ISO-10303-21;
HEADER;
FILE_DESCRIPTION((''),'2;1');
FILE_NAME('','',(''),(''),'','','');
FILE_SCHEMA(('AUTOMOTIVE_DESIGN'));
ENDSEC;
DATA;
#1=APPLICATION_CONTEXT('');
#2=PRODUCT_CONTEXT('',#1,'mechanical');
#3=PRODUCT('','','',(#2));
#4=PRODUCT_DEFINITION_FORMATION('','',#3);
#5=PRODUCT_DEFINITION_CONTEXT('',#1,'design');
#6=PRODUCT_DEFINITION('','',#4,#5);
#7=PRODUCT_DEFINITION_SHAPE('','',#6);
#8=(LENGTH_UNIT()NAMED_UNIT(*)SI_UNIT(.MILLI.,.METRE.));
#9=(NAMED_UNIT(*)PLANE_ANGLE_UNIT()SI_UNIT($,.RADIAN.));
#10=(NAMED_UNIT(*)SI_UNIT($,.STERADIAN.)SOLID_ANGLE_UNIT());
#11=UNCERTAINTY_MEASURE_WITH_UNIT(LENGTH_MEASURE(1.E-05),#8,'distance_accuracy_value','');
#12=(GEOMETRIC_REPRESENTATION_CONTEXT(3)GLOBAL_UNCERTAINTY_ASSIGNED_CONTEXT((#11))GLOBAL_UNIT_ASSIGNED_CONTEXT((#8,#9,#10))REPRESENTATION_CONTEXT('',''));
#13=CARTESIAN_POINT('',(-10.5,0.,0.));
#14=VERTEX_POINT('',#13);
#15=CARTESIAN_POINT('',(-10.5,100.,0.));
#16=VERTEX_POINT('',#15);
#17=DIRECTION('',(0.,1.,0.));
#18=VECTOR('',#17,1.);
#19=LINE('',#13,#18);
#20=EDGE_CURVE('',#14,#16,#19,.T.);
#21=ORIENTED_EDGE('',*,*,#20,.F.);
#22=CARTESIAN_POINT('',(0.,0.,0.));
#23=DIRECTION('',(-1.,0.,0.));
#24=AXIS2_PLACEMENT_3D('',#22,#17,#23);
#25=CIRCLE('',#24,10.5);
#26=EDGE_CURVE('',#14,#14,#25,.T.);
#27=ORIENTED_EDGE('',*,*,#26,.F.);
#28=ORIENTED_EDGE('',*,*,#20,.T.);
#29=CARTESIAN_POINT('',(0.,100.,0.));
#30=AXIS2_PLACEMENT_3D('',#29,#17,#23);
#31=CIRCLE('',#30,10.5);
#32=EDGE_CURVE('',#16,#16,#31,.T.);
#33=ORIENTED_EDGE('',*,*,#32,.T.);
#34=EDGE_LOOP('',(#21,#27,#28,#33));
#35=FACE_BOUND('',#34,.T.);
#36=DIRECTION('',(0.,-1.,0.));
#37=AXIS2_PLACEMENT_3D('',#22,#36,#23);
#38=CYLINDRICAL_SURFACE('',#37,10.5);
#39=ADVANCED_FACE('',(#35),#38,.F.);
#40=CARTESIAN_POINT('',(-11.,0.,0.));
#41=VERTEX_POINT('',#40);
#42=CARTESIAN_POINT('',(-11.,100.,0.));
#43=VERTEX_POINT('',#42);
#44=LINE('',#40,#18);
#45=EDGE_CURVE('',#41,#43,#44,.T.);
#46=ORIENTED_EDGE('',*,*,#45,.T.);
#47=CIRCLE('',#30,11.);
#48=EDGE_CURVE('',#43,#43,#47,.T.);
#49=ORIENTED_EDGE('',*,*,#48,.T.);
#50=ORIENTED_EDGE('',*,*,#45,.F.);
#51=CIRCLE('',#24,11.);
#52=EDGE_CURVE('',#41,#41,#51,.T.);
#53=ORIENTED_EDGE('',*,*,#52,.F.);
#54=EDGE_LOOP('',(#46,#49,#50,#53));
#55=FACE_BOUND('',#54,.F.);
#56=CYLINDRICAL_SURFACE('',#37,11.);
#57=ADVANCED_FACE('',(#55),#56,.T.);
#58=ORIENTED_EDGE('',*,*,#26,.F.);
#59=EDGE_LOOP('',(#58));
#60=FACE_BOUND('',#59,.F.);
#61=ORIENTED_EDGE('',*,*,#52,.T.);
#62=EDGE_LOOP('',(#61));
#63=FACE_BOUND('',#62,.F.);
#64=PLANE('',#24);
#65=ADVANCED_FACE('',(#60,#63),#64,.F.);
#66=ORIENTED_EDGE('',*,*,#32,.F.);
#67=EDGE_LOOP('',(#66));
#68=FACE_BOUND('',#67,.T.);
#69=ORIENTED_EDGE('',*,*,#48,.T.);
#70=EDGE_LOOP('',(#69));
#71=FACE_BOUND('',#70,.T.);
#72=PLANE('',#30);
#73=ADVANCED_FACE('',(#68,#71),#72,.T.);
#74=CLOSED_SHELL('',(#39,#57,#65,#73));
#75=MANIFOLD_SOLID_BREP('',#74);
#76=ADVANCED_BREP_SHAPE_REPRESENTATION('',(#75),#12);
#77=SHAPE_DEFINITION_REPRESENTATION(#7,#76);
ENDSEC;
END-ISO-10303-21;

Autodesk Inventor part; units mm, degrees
ref_plane "YZ Plane" through (0, 0, 0) normal (1, 0, 0) x (0, 1, 0)
ref_plane "XZ Plane" through (0, 0, 0) normal (0, 1, 0) x (-1, 0, 0)
ref_plane "XY Plane" through (0, 0, 0) normal (0, 0, 1) x (1, 0, 0)
sketch "Sketch1" plane through (0, 0, 0) normal (0, 1, 0) x (-1, 0, 0)
  circle A0 centre (0, 0) radius 10.5
  circle A1 centre (0, 0) radius 11
  dimension "d0" = 21
  dimension "d1" = 22
extrude "Extrusion1" add sketch "Sketch1" along normal blind 100
properties part number "tube"
